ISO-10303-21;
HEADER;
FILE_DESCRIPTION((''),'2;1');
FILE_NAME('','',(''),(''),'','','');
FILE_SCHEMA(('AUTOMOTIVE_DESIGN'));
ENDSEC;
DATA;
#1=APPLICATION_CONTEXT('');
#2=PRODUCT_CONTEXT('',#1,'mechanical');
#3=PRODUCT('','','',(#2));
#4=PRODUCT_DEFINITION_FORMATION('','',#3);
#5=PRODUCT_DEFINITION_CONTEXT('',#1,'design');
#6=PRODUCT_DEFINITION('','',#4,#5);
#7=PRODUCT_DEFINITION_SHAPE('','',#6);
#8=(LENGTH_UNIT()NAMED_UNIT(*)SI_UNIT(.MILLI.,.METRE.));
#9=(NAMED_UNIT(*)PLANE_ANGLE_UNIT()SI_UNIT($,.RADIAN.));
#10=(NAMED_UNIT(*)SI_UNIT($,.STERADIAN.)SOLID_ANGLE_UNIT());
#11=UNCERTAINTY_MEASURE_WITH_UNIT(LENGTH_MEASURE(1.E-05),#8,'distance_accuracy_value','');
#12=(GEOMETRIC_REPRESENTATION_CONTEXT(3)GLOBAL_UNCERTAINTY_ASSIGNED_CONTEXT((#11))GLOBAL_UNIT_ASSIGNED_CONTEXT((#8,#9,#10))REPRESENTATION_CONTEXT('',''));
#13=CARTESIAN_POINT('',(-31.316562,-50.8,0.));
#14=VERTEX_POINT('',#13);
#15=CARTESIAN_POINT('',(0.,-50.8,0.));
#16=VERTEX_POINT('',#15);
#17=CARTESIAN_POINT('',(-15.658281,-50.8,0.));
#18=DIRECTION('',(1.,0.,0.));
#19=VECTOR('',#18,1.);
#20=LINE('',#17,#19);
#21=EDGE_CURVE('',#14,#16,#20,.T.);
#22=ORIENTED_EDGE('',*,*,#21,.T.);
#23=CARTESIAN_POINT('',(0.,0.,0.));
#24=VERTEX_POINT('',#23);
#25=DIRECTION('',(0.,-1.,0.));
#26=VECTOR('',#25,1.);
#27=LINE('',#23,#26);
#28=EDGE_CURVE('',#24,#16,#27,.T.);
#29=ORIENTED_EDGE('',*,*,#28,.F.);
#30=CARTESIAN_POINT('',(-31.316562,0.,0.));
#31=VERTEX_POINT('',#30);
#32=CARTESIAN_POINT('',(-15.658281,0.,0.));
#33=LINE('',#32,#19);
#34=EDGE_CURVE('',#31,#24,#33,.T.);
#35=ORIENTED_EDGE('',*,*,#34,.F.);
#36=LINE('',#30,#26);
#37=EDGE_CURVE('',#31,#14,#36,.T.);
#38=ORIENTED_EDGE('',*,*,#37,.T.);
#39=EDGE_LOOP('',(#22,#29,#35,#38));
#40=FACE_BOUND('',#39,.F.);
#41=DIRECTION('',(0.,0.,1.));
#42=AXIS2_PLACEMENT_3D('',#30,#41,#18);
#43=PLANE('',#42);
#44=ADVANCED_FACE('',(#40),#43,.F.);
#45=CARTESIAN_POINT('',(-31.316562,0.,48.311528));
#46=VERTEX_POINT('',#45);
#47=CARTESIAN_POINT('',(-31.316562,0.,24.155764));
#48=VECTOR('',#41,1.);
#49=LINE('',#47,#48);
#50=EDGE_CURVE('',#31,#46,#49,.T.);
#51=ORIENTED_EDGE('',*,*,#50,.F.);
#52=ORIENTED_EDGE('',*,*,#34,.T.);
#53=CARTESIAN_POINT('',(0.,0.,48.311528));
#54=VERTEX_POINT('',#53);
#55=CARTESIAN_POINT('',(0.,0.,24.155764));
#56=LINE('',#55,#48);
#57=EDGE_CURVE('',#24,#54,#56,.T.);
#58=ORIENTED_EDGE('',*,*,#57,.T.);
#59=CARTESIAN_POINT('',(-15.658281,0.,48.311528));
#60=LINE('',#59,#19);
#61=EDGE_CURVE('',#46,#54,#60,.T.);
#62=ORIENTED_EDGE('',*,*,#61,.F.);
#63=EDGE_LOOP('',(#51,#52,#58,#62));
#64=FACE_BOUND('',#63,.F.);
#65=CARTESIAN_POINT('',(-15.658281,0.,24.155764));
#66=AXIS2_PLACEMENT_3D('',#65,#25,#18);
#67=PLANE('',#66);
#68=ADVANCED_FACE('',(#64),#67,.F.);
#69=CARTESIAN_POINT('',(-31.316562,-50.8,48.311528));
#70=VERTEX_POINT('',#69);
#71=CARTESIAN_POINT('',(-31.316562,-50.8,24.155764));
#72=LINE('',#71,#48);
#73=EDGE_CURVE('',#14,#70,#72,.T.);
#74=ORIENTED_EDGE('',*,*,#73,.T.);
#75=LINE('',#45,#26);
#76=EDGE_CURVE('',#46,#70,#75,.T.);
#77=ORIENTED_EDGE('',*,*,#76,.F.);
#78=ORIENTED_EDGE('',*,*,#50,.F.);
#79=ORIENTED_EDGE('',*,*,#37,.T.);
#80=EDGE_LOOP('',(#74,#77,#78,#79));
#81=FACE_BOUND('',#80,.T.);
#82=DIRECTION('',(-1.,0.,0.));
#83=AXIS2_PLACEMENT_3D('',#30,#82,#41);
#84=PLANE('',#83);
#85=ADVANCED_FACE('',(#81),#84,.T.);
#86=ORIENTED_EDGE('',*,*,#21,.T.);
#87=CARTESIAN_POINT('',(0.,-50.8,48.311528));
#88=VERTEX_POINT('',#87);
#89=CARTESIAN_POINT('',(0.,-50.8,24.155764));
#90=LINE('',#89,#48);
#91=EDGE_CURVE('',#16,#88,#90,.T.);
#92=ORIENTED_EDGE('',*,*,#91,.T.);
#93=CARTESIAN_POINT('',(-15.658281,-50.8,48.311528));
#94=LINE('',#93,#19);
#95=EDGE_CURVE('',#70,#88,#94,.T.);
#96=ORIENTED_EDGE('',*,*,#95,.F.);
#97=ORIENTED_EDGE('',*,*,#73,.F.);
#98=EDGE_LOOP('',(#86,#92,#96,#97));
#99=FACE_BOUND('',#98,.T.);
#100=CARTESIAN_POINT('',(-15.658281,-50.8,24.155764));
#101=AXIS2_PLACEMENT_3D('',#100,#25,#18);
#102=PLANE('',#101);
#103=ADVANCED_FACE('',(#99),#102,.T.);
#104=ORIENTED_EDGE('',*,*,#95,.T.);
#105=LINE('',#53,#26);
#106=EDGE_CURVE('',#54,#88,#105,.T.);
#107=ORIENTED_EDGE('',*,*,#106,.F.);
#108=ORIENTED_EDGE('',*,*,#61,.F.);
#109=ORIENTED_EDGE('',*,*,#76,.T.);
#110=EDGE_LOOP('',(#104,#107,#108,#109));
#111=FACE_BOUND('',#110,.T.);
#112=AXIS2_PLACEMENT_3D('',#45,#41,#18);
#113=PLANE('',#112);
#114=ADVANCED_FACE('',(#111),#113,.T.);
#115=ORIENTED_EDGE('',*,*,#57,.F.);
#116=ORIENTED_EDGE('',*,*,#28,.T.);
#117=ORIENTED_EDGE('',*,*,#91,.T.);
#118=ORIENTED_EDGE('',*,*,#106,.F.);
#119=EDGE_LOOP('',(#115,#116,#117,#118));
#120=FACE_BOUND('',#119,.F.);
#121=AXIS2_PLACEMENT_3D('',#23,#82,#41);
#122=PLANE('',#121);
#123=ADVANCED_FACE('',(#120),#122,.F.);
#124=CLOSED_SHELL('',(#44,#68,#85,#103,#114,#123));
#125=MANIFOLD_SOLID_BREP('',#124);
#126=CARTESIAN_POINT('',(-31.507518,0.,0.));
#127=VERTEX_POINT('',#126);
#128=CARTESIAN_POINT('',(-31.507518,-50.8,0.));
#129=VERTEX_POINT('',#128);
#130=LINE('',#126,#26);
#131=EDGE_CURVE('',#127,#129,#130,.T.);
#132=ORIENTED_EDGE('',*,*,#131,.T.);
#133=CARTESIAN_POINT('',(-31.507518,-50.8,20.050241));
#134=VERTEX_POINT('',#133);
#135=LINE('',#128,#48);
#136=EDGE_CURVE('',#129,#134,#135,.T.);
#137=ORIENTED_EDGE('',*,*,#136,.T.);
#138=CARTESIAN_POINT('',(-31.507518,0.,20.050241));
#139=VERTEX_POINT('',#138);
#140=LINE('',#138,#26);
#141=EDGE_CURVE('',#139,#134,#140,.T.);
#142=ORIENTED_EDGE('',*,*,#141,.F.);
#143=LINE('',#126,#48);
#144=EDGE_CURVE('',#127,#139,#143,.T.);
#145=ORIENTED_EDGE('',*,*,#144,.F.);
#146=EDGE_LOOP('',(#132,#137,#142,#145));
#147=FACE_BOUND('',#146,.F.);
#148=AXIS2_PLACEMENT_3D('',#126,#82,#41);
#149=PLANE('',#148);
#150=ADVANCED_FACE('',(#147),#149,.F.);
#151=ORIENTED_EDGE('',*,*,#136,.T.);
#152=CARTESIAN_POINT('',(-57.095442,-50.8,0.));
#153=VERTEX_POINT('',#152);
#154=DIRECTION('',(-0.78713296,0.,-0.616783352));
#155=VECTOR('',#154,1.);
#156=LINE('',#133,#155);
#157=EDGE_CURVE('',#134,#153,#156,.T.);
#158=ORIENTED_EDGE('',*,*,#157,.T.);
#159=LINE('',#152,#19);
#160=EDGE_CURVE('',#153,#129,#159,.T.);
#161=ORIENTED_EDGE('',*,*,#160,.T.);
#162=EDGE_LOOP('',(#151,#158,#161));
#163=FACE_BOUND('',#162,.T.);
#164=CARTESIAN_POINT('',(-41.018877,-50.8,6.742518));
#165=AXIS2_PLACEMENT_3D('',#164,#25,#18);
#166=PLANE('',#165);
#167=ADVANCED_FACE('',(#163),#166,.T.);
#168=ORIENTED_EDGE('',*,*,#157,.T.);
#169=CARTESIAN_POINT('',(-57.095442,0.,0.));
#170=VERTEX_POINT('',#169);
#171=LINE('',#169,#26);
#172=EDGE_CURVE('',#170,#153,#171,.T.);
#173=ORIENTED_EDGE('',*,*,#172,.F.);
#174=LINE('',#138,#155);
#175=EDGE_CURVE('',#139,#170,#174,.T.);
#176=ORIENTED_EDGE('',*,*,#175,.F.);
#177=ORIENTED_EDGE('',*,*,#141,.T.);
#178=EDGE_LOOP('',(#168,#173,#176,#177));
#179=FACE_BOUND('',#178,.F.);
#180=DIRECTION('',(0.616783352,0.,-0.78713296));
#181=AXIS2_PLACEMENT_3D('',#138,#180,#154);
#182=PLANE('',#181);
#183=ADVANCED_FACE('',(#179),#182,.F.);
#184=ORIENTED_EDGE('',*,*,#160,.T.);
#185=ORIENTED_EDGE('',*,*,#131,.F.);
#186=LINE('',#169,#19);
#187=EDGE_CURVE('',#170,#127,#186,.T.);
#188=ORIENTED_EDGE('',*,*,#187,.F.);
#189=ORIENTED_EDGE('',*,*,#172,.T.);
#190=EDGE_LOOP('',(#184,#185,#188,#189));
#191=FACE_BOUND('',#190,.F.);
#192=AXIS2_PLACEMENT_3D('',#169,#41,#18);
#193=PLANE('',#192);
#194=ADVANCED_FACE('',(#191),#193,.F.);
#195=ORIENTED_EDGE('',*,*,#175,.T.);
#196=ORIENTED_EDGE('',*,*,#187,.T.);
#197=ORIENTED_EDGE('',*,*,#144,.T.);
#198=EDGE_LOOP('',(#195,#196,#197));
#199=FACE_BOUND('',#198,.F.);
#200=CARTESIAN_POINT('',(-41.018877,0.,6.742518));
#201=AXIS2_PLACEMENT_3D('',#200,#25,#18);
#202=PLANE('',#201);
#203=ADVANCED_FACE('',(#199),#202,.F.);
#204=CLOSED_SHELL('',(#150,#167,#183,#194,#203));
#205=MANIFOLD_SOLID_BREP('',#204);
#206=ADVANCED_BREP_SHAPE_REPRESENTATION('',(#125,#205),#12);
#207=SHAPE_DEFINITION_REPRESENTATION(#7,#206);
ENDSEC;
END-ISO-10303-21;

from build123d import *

# Parameters (mm, degrees)
F0_W     = 31.316563
F0_H     = 48.311528
F1_DEPTH = 50.8
F3_DEPTH = 50.8


with BuildPart() as f1:
    # F0 (on Front) → F1 (new body)
    with BuildSketch(Plane.XZ):
        with Locations((-15.658281, 24.155764)):
            Rectangle(F0_W, F0_H)
    extrude(amount=F1_DEPTH)


with BuildPart() as f3:
    # F2 (on Front) → F3 (new body)
    with BuildSketch(Plane.XZ):
        Polygon((-31.507518, 20.050241), (-57.095442, 0), (-31.507518, 0), align=None)
    extrude(amount=F3_DEPTH)


solid = Compound([f1.part, f3.part])
